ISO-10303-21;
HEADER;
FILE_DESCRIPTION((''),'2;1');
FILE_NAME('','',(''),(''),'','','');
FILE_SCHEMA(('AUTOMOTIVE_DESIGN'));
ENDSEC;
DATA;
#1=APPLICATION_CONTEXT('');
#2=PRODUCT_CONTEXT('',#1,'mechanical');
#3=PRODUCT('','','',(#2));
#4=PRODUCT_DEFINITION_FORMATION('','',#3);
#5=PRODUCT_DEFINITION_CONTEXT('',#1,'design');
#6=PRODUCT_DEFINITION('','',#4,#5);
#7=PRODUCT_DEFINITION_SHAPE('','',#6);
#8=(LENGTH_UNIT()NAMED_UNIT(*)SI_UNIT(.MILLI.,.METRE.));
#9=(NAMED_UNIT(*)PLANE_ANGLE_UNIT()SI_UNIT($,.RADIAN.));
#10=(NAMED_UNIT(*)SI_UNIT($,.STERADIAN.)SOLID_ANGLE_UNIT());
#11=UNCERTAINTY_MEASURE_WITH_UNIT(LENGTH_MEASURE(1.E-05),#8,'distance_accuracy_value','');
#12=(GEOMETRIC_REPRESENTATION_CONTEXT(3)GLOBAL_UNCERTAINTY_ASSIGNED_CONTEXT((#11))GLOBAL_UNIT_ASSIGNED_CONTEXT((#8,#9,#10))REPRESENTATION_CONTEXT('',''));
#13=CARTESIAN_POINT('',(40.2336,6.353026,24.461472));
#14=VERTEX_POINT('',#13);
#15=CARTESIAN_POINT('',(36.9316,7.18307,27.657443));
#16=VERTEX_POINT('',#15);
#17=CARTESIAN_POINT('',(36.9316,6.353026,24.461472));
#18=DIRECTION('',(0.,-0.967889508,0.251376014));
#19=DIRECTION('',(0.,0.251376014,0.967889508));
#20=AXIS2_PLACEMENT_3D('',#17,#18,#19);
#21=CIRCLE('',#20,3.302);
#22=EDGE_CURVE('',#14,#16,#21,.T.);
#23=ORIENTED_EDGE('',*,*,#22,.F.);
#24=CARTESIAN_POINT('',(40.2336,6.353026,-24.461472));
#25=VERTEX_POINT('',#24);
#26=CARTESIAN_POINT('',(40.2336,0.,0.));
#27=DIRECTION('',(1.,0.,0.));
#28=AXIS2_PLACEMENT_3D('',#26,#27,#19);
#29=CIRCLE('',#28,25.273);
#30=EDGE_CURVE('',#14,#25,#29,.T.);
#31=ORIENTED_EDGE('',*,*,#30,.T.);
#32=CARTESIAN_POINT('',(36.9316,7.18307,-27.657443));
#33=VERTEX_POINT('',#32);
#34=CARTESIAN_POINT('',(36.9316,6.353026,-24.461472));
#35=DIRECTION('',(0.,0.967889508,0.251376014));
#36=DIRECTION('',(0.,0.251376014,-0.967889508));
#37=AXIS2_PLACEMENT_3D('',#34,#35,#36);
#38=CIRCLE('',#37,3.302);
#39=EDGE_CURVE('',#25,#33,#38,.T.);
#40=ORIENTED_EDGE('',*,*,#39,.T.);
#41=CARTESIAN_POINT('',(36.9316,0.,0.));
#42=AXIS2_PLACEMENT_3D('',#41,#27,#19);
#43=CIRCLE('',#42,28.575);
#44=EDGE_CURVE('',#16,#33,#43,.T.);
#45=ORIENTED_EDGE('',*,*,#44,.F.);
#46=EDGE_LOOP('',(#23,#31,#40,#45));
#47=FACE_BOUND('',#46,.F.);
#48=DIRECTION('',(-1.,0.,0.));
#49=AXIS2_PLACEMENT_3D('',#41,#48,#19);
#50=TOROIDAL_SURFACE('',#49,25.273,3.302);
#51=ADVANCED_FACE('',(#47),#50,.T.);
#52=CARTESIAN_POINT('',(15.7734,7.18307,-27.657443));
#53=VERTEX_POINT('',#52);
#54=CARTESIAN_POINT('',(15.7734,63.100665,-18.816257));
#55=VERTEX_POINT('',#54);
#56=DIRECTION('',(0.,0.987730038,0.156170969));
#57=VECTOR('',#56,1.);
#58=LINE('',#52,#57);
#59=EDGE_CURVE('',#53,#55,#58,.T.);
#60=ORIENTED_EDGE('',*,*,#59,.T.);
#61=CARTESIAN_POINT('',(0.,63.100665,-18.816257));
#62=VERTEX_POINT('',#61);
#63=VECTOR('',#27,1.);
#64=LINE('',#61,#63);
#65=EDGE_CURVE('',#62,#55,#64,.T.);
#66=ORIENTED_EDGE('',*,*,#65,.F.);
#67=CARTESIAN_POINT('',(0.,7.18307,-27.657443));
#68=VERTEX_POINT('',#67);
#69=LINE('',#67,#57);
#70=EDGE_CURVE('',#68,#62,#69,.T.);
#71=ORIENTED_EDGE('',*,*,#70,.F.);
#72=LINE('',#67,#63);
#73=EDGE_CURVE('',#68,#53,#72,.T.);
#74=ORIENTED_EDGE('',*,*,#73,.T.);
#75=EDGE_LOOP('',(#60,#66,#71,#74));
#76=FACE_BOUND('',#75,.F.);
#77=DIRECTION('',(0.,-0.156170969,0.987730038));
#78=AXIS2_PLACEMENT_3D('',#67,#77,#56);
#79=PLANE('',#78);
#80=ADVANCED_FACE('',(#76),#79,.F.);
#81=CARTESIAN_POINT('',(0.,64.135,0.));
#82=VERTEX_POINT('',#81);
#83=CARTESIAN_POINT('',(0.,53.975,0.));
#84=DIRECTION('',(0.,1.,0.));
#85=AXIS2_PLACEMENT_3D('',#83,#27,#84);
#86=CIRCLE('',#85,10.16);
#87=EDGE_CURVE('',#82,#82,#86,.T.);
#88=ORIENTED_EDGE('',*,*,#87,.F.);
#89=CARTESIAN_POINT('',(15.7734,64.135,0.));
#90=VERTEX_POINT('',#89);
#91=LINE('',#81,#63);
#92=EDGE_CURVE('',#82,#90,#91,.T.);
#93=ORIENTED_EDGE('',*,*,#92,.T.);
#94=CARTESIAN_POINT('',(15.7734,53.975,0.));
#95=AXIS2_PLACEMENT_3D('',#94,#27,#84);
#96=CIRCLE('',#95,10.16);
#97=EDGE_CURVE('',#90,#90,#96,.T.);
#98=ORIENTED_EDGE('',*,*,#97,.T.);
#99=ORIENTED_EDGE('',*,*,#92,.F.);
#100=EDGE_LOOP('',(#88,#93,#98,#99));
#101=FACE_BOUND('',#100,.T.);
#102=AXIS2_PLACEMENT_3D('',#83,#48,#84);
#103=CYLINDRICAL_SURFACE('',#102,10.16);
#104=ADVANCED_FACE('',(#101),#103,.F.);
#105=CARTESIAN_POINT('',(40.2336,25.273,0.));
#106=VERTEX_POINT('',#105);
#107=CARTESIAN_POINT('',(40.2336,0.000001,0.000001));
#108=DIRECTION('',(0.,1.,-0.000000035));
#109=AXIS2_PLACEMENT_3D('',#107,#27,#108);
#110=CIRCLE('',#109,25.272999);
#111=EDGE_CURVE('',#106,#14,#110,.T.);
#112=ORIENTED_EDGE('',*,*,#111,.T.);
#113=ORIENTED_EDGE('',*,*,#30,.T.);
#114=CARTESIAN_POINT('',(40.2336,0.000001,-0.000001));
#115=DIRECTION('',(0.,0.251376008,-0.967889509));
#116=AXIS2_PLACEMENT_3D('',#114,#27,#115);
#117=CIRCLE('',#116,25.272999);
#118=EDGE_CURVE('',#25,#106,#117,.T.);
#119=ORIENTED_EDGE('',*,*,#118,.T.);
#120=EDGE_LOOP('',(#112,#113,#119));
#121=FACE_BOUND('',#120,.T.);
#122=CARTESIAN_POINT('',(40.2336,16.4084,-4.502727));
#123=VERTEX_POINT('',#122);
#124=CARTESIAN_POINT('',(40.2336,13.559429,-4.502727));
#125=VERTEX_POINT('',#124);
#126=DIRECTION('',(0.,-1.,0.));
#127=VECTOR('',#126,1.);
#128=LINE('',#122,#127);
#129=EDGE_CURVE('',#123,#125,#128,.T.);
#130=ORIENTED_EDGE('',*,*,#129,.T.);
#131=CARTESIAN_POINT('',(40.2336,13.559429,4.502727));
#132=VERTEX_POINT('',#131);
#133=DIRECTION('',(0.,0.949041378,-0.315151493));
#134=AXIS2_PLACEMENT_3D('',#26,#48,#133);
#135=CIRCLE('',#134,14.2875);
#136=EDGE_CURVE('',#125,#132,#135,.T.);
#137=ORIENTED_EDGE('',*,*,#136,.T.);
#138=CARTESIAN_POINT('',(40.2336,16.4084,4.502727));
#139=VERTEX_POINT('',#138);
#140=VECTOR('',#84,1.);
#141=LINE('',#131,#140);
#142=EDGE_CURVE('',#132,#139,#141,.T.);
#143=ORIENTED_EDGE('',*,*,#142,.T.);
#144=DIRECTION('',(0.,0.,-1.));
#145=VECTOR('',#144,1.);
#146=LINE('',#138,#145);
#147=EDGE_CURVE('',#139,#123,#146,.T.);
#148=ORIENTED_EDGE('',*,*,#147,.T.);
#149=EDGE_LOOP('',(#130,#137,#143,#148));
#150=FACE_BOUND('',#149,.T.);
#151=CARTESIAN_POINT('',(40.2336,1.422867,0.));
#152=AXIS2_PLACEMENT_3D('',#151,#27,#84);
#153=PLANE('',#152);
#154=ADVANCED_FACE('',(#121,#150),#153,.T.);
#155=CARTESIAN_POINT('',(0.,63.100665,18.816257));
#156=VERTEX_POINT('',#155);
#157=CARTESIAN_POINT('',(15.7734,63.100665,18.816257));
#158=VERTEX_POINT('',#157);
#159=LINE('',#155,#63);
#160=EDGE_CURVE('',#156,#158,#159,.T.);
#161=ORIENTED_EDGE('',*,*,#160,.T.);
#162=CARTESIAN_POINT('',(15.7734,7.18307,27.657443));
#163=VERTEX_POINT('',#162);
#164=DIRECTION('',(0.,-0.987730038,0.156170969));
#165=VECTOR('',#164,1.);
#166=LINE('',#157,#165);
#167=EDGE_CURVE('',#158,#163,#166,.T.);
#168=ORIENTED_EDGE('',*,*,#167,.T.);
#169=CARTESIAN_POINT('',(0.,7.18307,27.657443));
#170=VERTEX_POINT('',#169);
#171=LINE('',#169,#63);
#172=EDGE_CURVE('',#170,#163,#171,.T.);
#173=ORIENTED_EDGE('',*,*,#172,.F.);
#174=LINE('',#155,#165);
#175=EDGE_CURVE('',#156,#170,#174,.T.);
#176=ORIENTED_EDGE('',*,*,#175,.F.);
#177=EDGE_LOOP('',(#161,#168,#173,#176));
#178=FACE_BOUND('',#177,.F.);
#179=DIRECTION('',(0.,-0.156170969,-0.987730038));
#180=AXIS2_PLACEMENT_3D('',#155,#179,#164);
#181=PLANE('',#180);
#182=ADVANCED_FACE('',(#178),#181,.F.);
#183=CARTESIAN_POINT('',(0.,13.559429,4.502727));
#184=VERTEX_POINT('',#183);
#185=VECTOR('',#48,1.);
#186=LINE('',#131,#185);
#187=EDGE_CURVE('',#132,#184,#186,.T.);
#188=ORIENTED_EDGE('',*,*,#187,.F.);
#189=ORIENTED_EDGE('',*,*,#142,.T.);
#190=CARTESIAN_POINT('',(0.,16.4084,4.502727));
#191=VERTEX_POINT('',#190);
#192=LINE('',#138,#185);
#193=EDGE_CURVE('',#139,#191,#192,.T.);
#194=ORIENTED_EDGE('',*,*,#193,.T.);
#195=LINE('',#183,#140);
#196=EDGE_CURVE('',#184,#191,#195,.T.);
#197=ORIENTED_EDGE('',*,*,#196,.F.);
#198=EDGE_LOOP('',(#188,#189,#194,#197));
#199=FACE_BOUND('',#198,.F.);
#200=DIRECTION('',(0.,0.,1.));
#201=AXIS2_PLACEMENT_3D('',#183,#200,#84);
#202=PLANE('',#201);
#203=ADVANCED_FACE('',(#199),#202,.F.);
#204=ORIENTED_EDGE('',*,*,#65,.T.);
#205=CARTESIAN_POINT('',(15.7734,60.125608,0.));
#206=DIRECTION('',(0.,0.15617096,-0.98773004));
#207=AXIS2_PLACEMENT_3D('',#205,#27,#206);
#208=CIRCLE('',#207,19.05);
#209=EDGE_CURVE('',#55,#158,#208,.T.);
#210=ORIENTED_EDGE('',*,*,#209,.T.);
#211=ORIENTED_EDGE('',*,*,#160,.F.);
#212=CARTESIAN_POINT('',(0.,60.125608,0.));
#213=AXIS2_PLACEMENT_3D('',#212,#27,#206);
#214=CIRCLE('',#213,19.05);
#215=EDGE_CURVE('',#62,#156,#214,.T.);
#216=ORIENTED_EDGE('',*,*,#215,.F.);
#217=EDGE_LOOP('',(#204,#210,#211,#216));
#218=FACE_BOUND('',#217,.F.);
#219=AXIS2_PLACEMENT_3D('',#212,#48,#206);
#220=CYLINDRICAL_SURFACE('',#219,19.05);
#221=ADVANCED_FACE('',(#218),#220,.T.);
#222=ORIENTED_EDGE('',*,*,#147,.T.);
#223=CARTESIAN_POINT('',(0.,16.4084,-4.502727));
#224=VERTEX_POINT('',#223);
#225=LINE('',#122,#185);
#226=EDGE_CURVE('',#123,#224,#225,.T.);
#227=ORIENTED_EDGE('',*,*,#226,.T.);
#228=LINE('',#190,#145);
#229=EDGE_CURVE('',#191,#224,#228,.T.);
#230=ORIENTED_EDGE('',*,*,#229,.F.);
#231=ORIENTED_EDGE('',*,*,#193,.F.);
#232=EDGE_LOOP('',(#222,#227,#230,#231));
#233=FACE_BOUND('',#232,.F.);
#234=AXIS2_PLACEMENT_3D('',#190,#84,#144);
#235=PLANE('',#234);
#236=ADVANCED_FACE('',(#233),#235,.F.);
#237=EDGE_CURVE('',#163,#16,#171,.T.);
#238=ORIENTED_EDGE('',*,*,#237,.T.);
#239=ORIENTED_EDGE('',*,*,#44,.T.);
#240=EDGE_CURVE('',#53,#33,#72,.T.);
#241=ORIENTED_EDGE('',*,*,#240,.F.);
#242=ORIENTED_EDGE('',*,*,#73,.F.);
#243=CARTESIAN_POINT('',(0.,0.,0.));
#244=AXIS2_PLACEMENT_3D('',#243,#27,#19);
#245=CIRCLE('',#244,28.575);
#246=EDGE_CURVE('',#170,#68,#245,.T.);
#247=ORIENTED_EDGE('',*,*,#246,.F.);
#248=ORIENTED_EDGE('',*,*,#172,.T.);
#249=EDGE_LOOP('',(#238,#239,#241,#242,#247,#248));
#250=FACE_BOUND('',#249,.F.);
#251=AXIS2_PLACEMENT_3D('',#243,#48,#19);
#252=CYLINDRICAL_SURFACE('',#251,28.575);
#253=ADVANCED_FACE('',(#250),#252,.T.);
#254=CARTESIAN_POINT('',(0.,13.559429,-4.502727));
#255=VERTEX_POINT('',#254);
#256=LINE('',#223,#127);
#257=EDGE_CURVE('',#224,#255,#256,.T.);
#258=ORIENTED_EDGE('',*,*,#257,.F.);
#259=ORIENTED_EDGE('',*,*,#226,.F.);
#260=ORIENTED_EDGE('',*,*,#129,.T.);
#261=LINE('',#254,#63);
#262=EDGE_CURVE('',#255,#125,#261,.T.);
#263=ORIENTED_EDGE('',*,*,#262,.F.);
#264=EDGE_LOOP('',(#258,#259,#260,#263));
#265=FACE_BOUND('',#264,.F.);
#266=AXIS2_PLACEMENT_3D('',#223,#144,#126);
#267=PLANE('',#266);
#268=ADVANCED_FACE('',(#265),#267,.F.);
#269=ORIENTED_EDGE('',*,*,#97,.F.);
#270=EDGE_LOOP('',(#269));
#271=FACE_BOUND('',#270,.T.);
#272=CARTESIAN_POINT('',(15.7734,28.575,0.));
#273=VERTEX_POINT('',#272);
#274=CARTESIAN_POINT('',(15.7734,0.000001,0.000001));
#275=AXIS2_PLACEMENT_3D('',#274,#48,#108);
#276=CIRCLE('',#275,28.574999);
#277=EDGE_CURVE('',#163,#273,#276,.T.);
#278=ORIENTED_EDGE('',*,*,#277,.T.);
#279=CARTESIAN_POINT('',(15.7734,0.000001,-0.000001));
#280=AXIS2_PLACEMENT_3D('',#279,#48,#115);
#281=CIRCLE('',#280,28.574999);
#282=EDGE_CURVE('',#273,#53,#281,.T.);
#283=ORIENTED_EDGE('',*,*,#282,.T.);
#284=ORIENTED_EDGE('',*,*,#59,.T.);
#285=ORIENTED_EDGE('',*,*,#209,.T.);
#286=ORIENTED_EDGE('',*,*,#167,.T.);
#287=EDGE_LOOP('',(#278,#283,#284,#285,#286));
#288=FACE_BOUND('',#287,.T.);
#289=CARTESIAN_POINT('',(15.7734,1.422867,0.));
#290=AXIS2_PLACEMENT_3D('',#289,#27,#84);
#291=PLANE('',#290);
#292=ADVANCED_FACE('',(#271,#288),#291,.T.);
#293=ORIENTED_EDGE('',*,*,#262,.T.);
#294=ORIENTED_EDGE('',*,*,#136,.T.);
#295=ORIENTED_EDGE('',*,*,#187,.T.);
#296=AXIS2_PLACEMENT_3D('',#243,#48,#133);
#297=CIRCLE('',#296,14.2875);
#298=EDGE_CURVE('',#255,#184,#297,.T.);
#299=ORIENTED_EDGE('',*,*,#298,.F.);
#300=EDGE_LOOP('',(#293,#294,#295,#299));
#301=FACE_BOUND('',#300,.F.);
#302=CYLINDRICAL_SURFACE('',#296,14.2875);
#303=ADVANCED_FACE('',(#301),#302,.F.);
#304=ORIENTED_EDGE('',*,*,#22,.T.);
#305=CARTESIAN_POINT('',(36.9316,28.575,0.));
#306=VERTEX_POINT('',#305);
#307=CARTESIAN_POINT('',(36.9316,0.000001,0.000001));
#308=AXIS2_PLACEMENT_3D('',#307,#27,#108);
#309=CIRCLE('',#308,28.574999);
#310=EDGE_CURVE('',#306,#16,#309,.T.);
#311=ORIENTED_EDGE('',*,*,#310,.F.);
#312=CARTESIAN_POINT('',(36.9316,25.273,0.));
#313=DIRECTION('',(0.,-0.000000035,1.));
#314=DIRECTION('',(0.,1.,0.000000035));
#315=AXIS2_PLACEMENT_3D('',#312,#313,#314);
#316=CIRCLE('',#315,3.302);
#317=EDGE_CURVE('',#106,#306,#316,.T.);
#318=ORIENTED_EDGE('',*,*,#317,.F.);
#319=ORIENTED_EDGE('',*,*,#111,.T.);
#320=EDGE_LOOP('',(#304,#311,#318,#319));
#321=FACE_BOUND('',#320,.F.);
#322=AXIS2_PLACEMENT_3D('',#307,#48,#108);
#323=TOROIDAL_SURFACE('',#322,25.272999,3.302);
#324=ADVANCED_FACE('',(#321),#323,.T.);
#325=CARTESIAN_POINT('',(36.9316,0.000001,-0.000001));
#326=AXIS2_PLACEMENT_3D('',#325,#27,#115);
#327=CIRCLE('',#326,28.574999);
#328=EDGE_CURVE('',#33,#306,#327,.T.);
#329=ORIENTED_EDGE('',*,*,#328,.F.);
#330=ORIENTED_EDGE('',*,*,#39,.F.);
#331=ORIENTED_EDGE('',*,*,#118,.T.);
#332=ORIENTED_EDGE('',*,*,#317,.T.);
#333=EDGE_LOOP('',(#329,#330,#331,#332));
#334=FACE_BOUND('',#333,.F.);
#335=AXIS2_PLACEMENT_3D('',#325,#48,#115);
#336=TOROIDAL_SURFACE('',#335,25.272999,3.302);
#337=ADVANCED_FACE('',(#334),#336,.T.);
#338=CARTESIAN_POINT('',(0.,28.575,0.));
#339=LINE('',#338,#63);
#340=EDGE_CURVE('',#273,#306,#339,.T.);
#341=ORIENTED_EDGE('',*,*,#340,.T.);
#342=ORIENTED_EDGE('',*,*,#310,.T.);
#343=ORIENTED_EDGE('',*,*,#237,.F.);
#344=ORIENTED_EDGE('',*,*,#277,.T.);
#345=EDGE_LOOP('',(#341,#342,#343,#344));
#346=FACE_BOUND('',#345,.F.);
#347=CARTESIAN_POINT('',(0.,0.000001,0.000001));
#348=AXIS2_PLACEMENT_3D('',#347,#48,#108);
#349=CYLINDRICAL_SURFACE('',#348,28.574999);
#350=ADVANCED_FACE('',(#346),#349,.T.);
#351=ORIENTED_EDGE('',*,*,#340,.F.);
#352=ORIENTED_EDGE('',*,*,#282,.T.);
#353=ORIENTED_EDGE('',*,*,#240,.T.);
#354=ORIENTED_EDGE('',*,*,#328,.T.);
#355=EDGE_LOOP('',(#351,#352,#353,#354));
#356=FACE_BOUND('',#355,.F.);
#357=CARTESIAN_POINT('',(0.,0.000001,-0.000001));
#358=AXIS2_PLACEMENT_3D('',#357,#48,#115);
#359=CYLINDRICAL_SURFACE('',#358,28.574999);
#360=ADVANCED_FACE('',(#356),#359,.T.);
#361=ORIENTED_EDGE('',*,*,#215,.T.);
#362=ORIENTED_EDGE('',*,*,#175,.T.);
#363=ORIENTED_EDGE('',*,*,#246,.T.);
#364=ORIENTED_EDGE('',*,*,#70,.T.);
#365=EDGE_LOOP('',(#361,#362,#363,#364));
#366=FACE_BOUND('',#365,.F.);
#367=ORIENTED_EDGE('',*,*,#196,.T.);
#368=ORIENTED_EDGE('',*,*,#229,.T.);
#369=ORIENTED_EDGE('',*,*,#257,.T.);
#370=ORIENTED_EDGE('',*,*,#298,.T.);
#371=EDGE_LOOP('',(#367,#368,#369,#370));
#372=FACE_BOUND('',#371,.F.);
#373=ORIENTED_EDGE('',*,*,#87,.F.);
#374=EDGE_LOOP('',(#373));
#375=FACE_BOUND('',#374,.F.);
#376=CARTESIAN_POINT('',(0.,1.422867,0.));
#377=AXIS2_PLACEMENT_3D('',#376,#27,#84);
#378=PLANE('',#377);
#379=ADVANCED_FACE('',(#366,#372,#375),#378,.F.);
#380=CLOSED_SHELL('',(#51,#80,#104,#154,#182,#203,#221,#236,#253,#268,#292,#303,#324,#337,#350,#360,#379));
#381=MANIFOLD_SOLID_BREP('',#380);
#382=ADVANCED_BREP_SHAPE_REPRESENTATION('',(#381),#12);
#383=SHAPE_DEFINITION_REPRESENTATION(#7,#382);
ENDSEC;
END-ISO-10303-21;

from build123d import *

# Parameters (mm, degrees)
F1_DEPTH = 40.2336
F0_R     = 10.16
F2_DEPTH = 15.7734
F3_R     = 3.302


with BuildPart() as f1:
    # F0 (on Right) → F1 (new body)
    with BuildSketch(Plane.YZ):
        with BuildLine():
            ThreePointArc((7.18307, -27.657443), (22.602952, -17.482483), (28.575, 0))
            ThreePointArc((28.575, 0), (22.602952, 17.482483), (7.18307, 27.657443))
            ThreePointArc((7.18307, 27.657443), (-28.575, 0), (7.18307, -27.657443))
        make_face()
        with BuildLine():
            ThreePointArc((13.559429, -4.502727), (-14.2875, 0), (13.559429, 4.502727))
            Line((13.559429, 4.502727), (16.4084, 4.502727))
            Line((16.4084, 4.502727), (16.4084, -4.502727))
            Line((16.4084, -4.502727), (13.559429, -4.502727))
        make_face(mode=Mode.SUBTRACT)
    extrude(amount=F1_DEPTH)

    # F0 (on Right) → F2 (join)
    with BuildSketch(Plane.YZ):
        with BuildLine():
            ThreePointArc((7.18307, -27.657443), (22.602952, -17.482483), (28.575, 0))
            ThreePointArc((28.575, 0), (22.602952, 17.482483), (7.18307, 27.657443))
            ThreePointArc((7.18307, 27.657443), (-28.575, 0), (7.18307, -27.657443))
        make_face()
        with BuildLine():
            ThreePointArc((13.559429, -4.502727), (-14.2875, 0), (13.559429, 4.502727))
            Line((13.559429, 4.502727), (16.4084, 4.502727))
            Line((16.4084, 4.502727), (16.4084, -4.502727))
            Line((16.4084, -4.502727), (13.559429, -4.502727))
        make_face(mode=Mode.SUBTRACT)
        with BuildLine():
            ThreePointArc((7.18307, 27.657443), (22.602952, 17.482483), (28.575, 0))
            ThreePointArc((28.575, 0), (22.602952, -17.482483), (7.18307, -27.657443))
            Line((7.18307, -27.657443), (63.100665, -18.816257))
            ThreePointArc((63.100665, -18.816257), (79.175608, 0), (63.100665, 18.816257))
            Line((63.100665, 18.816257), (7.18307, 27.657443))
        make_face()
        with Locations((53.975, 0)):
            Circle(F0_R, mode=Mode.SUBTRACT)
    extrude(amount=F2_DEPTH)

    # F3
    f3_edges = [f1.edges().sort_by_distance(p)[0] for p in [
        (40.2336, -7.18307, 27.657443),
    ]]
    fillet(f3_edges, radius=F3_R)


solid = f1.part
